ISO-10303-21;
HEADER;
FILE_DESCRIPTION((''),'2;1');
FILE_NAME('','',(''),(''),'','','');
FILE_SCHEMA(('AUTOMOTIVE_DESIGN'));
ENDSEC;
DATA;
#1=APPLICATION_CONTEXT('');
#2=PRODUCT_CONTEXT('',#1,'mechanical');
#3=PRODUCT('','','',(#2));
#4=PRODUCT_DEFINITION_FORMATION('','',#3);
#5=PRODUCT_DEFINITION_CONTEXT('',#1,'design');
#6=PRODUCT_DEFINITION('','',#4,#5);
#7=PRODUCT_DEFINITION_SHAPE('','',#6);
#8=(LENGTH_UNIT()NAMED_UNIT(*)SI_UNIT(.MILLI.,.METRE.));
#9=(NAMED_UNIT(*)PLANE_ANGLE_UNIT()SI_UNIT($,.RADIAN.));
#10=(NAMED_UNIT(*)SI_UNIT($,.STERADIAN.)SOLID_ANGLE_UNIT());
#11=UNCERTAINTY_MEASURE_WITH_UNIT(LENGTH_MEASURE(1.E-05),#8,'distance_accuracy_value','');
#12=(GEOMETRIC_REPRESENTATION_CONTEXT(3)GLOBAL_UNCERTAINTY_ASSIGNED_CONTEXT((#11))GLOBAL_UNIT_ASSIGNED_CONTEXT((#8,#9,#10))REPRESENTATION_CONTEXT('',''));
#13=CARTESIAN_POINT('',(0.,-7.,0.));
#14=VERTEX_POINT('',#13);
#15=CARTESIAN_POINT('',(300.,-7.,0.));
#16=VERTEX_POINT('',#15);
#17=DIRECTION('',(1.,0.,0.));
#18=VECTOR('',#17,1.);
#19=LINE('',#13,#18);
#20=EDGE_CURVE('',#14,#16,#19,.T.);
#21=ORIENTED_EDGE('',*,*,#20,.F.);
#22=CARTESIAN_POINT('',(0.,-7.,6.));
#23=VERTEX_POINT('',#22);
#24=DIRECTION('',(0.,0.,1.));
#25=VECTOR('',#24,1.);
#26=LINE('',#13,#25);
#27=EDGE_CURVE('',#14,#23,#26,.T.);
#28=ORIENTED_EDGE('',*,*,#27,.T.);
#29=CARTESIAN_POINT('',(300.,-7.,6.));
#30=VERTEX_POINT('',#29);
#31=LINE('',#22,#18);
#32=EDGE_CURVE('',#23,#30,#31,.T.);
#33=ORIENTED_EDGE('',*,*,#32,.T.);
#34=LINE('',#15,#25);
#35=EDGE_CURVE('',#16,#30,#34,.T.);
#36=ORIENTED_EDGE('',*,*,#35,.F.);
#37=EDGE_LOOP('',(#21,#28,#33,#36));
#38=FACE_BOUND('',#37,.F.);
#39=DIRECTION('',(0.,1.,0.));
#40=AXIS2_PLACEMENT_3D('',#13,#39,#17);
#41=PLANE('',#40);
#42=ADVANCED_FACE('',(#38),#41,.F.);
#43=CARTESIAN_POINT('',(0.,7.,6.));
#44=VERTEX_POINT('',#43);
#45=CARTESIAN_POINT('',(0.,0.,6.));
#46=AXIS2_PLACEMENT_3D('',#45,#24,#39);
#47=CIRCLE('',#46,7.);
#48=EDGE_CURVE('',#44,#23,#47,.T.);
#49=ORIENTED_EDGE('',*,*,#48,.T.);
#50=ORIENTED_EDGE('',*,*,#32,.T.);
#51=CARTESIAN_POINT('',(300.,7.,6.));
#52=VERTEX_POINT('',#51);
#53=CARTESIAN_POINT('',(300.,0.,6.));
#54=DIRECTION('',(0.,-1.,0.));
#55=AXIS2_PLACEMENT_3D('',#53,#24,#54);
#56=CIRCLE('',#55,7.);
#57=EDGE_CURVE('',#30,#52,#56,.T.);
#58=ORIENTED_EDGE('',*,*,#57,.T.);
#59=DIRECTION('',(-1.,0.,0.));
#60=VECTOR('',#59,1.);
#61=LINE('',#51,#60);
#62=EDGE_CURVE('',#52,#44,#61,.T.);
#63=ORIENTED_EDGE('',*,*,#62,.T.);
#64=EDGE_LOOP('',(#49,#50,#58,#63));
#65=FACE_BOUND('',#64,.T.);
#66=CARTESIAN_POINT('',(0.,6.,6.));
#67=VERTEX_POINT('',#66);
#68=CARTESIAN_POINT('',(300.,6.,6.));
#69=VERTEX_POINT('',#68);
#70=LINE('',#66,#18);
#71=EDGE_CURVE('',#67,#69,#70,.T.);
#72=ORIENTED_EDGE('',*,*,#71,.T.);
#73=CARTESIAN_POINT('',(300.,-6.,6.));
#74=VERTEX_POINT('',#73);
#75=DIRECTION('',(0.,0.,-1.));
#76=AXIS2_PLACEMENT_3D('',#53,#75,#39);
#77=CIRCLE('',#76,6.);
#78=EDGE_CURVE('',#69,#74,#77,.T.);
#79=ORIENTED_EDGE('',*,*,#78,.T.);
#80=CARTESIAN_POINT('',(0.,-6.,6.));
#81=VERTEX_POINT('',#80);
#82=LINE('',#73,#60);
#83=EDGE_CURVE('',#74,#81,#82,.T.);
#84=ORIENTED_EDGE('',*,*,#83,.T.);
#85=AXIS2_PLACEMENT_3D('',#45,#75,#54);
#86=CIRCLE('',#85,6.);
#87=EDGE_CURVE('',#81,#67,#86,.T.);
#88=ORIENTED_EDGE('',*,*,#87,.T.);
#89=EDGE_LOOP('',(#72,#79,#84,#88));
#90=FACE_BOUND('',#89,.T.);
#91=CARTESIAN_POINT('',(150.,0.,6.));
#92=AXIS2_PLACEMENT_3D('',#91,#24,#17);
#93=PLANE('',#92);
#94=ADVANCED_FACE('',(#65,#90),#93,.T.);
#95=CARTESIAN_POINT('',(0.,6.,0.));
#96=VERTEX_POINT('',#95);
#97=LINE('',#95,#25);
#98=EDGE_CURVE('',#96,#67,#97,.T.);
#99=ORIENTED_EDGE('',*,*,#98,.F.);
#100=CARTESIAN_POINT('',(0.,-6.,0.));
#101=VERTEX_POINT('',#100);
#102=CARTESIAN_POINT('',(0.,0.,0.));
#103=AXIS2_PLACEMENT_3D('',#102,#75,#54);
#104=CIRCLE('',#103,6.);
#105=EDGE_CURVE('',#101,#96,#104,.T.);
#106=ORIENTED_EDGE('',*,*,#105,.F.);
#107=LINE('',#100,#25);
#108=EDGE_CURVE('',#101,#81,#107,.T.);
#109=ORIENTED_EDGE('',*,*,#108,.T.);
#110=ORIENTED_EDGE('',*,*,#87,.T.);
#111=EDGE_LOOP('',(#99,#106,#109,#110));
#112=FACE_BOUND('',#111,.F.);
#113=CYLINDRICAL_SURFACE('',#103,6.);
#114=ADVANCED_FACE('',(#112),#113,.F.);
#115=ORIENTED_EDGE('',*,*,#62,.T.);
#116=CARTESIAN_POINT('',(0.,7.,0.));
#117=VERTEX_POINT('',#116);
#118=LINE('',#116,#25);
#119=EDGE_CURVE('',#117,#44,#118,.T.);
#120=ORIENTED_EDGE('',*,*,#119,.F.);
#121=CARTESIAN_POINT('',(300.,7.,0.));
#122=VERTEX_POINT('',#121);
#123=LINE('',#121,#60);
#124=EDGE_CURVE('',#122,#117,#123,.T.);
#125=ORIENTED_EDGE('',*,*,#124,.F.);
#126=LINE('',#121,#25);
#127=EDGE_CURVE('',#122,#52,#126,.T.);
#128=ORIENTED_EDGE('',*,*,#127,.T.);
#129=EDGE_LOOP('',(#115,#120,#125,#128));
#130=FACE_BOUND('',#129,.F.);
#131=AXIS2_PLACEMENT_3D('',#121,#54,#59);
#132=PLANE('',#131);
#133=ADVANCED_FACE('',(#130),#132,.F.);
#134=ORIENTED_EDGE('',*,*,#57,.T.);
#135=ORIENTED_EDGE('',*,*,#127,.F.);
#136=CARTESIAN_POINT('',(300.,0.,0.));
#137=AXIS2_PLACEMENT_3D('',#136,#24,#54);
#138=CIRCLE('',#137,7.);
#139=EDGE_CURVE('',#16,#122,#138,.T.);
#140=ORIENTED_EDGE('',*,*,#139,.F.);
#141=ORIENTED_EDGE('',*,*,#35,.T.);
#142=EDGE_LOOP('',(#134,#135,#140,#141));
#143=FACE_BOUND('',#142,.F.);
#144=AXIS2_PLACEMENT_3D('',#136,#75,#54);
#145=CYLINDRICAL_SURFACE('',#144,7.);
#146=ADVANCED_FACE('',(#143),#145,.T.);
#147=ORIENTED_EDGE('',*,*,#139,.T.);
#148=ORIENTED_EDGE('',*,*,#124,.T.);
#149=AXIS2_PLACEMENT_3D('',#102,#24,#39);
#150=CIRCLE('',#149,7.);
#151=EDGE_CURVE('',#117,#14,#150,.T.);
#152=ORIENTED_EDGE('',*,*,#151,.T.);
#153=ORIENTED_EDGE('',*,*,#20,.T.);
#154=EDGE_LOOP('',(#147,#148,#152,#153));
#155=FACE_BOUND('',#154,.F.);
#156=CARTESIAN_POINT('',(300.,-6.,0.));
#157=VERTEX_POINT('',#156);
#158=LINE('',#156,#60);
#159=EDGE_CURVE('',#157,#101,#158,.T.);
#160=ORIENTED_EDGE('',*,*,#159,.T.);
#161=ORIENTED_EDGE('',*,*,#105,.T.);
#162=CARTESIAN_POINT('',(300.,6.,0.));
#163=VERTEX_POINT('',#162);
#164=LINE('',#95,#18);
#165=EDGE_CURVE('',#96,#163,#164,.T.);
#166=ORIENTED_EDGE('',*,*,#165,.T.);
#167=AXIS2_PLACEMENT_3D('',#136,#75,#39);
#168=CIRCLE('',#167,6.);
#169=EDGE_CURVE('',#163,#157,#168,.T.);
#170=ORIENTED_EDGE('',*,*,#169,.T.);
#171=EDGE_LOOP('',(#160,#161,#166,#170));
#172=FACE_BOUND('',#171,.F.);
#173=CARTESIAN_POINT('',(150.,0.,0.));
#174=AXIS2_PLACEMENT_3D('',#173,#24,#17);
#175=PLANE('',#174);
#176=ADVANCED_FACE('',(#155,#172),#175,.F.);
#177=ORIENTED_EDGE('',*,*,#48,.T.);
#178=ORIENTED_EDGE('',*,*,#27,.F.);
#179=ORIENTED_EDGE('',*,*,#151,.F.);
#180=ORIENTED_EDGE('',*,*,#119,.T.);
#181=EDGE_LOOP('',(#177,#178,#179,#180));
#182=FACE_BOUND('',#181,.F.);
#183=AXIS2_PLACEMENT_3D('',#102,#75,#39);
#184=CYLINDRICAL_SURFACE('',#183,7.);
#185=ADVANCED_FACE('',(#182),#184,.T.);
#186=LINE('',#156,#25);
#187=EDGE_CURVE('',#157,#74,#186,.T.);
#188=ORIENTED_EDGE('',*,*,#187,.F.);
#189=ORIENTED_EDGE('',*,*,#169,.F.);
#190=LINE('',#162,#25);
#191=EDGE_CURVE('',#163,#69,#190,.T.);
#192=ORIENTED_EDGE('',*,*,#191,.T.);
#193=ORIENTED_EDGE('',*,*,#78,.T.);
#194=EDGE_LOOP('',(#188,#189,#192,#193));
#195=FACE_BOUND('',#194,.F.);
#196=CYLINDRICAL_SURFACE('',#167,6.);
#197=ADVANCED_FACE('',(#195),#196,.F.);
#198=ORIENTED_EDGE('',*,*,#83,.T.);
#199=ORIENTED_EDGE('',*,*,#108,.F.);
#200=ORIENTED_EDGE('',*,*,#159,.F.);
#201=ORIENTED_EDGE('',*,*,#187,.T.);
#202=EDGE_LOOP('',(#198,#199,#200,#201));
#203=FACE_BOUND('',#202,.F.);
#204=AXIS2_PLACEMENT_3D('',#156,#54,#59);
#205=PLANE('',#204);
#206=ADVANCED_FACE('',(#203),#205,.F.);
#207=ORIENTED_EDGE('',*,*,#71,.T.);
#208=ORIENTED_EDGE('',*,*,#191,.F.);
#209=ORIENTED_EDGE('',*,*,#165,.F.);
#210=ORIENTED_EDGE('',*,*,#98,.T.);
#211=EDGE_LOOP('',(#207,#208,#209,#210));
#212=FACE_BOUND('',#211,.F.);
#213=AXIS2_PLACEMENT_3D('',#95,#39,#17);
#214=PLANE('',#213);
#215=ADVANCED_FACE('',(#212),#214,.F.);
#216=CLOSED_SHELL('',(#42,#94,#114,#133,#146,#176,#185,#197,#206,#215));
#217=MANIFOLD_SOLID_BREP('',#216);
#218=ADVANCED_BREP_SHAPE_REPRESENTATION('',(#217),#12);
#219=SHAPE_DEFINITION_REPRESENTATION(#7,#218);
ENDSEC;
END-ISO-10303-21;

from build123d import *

# Parameters (mm, degrees)
F1_DEPTH = 6


with BuildPart() as f1:
    # F0 (on Top) → F1 (new body)
    with BuildSketch(Plane.XY):
        with BuildLine():
            Line((300, 7), (0, 7))
            ThreePointArc((0, 7), (-7, 0), (0, -7))
            Line((0, -7), (300, -7))
            ThreePointArc((300, -7), (307, 0), (300, 7))
        make_face()
        with BuildLine():
            Line((300, -6), (0, -6))
            ThreePointArc((0, -6), (-6, 0), (0, 6))
            Line((0, 6), (300, 6))
            ThreePointArc((300, 6), (306, 0), (300, -6))
        make_face(mode=Mode.SUBTRACT)
    extrude(amount=F1_DEPTH)


solid = f1.part
